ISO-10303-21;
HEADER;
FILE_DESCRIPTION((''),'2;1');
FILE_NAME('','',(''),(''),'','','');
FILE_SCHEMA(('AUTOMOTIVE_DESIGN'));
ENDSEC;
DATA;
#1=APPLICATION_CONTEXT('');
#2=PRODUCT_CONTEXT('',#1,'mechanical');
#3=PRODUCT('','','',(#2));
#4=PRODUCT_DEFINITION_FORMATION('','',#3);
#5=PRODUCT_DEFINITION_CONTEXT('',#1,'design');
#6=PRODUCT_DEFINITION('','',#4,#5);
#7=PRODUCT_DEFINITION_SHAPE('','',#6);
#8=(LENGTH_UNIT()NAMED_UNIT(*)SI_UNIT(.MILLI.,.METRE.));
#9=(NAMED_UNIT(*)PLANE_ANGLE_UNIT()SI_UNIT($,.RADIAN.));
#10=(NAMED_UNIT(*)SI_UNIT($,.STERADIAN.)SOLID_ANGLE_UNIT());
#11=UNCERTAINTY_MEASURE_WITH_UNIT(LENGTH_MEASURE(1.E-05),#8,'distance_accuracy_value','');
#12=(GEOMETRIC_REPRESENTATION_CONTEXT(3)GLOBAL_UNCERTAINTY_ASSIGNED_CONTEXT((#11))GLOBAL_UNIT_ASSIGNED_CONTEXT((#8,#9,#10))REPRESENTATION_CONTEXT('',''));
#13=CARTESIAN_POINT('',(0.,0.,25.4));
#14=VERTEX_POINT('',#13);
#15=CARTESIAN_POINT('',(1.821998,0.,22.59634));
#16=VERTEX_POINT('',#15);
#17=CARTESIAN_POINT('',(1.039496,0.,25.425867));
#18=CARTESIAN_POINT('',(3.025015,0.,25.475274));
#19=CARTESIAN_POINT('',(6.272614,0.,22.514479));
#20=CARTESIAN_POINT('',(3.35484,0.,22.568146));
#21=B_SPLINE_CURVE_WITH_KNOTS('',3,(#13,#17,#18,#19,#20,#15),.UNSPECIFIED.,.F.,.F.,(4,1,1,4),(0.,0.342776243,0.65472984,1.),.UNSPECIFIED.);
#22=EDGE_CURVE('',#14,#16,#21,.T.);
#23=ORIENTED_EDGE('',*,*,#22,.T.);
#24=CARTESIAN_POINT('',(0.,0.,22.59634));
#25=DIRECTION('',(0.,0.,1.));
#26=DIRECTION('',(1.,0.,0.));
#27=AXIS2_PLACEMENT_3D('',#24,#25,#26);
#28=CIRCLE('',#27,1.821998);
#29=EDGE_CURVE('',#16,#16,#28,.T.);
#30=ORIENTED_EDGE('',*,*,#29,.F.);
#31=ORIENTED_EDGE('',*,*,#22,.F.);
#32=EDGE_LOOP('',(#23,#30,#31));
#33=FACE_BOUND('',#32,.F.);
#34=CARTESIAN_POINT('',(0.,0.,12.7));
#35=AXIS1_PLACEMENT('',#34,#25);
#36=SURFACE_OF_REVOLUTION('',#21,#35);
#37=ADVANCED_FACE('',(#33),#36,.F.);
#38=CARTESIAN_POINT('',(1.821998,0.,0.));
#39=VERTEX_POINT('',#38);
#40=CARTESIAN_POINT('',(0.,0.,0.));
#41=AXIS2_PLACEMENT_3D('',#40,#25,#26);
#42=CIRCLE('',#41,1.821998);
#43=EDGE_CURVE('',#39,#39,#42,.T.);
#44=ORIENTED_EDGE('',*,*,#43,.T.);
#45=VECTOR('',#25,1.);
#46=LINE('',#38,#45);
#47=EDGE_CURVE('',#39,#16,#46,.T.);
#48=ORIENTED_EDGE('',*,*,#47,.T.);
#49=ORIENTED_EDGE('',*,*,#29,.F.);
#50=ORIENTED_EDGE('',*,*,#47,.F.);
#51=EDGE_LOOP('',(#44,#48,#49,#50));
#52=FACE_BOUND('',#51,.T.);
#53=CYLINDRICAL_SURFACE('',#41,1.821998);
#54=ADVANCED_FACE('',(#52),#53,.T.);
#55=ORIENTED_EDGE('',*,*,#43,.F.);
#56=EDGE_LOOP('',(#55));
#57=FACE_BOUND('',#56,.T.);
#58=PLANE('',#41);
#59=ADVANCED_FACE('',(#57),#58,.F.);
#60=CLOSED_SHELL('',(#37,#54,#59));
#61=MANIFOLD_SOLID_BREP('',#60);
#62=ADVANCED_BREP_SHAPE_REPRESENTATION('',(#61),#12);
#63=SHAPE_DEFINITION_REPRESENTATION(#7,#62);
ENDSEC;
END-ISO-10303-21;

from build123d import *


with BuildPart() as f1:
    # F0 (on Front) → F1 (revolve)
    with BuildSketch(Plane.XZ):
        with BuildLine():
            add(Edge.make_bspline(
                [(0, 25.4), (1.0394956926, 25.4258665945), (3.0250149968, 25.4752738436), (6.2726142378, 22.514479035), (3.3548400878, 22.5681464365), (1.8219978281, 22.5963404147)],
                knots=[0, 0, 0, 0, 0.3427762434, 0.6547298398, 1, 1, 1, 1], degree=3))
            Line((0, 25.4), (0, 0))
            Line((0, 0), (1.8219978281, 0))
            Line((1.8219978281, 0), (1.8219978281, 22.5963404147))
        make_face()
    revolve(axis=Axis((0, 0, 12.7), (0, 0, 1)))


solid = f1.part
